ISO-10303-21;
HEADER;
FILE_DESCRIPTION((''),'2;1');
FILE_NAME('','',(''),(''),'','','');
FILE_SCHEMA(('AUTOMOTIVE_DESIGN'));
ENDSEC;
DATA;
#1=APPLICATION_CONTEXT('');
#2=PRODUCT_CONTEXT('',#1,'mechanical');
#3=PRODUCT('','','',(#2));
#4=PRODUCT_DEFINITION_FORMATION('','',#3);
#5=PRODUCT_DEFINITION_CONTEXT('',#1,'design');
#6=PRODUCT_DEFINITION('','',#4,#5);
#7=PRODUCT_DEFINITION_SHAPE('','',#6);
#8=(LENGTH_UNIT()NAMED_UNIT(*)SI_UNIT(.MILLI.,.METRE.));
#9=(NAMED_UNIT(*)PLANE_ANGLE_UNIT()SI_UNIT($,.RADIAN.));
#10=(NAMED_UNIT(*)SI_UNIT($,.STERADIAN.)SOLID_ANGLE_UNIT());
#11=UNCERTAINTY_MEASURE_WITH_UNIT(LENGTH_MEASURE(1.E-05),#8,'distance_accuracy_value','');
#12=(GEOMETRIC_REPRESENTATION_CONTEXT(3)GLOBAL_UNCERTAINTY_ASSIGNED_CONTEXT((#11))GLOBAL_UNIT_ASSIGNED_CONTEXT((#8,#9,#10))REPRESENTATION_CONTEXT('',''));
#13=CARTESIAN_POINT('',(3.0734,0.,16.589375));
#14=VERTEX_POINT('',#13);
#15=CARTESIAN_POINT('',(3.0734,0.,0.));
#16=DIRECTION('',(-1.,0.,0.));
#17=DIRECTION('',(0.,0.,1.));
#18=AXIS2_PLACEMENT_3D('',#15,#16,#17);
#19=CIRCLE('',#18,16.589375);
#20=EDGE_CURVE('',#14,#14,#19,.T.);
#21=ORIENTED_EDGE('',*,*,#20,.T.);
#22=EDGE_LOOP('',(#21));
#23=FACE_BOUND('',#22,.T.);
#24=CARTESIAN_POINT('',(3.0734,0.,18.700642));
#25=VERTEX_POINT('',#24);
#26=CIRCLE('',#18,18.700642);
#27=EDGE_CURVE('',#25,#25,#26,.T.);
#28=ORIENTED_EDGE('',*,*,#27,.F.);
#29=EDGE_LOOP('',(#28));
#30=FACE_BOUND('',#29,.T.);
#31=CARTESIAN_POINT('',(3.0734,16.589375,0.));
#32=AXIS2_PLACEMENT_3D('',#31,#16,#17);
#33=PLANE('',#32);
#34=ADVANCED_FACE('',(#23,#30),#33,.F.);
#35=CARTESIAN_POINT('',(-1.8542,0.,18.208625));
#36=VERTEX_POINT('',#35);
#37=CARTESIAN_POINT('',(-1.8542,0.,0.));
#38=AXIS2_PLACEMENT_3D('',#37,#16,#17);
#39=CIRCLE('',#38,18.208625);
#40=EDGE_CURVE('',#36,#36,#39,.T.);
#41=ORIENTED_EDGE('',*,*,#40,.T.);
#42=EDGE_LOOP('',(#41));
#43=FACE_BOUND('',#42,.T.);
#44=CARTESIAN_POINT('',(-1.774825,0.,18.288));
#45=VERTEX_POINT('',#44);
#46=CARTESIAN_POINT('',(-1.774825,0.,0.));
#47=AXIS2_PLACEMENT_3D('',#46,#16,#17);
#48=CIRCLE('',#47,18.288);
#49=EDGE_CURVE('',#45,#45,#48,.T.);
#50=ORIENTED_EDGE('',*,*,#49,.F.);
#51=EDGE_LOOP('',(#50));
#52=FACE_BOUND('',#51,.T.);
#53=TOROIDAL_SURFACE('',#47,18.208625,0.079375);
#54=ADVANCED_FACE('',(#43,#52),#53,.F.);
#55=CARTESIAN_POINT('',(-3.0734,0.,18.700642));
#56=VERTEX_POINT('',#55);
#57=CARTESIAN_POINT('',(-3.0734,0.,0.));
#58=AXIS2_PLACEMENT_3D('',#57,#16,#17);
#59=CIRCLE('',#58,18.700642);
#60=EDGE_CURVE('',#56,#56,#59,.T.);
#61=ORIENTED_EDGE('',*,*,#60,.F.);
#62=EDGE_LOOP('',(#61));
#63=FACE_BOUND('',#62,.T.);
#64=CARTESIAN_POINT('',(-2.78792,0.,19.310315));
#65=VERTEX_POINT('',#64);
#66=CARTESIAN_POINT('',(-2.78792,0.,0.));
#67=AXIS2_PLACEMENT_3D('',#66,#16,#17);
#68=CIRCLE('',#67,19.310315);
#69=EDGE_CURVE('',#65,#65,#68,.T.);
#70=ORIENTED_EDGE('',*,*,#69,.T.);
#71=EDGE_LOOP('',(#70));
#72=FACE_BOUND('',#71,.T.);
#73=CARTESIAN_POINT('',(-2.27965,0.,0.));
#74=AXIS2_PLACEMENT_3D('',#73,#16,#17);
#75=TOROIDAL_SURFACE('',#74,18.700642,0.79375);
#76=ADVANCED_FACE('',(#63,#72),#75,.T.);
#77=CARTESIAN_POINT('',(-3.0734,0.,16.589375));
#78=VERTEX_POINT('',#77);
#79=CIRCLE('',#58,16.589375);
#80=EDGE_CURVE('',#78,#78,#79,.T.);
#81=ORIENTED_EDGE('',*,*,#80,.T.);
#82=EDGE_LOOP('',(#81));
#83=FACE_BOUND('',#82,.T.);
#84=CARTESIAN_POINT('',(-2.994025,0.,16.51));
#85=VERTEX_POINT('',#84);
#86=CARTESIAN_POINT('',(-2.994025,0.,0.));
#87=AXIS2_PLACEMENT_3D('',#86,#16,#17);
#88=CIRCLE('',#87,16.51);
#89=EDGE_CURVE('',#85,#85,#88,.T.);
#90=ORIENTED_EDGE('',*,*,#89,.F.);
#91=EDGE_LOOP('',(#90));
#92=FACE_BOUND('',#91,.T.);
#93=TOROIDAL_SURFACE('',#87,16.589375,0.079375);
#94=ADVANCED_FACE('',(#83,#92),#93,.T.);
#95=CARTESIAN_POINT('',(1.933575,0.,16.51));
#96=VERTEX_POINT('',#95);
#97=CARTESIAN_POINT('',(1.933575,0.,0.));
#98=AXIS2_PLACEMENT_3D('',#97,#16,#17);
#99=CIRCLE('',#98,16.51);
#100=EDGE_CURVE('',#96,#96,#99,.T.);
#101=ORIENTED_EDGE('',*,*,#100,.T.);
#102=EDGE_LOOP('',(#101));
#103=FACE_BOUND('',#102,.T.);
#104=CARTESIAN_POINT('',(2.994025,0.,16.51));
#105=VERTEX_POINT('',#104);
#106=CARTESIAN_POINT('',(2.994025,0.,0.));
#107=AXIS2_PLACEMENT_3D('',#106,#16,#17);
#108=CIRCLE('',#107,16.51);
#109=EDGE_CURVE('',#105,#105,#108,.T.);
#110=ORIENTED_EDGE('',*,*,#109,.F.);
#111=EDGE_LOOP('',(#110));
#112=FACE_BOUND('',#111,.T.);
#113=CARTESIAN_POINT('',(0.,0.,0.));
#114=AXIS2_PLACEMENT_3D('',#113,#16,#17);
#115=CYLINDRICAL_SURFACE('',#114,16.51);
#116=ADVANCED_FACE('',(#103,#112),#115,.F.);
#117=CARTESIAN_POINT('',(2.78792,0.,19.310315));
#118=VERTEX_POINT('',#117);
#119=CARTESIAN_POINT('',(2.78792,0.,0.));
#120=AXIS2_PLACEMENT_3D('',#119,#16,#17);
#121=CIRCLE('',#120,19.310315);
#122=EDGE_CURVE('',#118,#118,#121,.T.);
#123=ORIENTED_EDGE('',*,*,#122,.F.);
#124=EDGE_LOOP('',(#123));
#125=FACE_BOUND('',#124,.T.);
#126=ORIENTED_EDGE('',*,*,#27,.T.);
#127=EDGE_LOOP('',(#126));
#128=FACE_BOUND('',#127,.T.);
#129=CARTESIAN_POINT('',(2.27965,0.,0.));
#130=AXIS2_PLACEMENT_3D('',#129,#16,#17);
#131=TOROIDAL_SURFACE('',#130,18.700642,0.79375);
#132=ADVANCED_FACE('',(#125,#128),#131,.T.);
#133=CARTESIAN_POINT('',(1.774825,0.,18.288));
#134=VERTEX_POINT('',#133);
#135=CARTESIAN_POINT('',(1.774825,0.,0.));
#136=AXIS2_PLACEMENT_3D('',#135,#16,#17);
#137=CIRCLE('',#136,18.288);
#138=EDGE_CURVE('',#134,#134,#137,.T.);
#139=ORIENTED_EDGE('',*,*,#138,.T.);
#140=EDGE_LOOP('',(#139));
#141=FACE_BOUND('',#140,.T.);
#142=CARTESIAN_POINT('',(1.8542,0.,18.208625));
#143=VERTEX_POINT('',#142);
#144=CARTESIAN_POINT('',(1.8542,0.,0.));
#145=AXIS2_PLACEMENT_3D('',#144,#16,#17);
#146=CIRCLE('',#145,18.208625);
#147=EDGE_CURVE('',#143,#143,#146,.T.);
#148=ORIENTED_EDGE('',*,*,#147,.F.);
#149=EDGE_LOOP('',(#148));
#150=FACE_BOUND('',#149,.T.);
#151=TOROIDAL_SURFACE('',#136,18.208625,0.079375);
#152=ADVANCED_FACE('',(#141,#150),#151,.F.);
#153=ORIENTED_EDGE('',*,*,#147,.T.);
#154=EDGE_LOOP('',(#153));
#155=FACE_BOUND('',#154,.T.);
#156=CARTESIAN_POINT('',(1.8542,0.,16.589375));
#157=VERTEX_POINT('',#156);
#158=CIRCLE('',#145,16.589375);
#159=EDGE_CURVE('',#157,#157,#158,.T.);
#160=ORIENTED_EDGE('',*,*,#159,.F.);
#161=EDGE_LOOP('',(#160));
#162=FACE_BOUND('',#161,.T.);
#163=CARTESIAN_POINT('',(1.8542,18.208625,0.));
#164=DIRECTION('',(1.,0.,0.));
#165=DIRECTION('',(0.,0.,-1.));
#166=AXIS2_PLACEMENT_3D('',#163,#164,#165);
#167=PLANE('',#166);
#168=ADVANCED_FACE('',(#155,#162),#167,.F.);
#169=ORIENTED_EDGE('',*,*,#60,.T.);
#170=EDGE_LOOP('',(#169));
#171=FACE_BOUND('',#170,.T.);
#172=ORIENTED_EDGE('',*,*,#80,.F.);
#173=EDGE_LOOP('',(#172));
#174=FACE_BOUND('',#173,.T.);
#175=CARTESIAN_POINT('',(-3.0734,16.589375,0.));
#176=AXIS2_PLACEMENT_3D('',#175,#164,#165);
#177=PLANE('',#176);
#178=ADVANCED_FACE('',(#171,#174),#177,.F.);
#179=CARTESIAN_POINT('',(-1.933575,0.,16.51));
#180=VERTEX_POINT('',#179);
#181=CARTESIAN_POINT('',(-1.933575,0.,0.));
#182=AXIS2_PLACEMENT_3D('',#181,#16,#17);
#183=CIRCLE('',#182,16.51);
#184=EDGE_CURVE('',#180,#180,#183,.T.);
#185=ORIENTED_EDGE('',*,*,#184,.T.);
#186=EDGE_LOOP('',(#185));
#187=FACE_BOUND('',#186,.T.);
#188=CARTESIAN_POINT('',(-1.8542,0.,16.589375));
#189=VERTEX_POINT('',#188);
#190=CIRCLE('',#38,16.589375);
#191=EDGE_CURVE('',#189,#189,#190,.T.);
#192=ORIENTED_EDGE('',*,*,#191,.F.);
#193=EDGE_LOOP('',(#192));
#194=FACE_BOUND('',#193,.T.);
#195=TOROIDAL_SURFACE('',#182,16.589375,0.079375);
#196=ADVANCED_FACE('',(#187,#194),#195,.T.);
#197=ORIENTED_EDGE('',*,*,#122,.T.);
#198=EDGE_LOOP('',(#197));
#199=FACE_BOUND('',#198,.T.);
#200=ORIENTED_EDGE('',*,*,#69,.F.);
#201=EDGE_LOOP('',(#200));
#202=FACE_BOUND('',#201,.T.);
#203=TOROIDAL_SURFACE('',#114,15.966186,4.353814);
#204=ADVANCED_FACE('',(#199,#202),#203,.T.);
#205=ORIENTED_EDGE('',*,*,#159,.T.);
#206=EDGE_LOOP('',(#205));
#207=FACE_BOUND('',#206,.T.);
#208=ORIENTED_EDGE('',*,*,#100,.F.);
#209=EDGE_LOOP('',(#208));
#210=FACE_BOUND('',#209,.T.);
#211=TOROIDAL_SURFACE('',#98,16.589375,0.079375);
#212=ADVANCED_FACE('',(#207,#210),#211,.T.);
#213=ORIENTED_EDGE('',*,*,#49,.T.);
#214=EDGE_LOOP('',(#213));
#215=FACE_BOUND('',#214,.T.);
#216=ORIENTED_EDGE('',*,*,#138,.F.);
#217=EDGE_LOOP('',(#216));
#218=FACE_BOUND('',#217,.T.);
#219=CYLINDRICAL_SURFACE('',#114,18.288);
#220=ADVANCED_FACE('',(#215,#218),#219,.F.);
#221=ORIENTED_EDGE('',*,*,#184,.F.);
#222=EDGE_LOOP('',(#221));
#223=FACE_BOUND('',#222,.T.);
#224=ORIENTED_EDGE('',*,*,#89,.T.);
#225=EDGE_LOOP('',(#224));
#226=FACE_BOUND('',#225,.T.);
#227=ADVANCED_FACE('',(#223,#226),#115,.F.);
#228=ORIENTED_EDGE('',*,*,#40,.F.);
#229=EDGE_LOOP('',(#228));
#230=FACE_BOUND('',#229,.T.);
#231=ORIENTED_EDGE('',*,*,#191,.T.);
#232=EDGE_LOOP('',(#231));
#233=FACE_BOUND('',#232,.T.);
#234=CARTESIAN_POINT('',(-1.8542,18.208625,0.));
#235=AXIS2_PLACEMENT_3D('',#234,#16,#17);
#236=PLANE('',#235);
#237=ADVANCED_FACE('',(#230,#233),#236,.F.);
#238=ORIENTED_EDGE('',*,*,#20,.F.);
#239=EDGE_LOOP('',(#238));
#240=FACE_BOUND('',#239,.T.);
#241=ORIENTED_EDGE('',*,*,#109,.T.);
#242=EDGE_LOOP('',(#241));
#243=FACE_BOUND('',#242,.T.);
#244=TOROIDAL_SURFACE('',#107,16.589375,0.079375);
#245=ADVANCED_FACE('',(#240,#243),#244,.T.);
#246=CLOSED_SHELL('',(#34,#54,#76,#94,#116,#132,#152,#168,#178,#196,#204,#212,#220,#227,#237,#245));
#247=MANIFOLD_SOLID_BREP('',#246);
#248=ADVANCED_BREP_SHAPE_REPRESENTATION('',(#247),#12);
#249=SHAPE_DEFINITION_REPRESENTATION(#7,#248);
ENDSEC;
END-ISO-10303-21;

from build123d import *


with BuildPart() as part:
    # Sketch1 → Revolve1 (revolve)
    with BuildSketch(Plane.XY, mode=Mode.PRIVATE) as revolve1_sk:
        with BuildLine():
            Line((-1.774825, 18.288), (1.774825, 18.288))
            ThreePointArc((1.774825, 18.288), (1.830951601, 18.264751601), (1.8542, 18.208625))
            Line((1.8542, 18.208625), (1.8542, 16.589375))
            ThreePointArc((1.8542, 16.589375), (1.877448399, 16.533248399), (1.933575, 16.51))
            Line((1.933575, 16.51), (2.994025, 16.51))
            ThreePointArc((2.994025, 16.51), (3.050151601, 16.533248399), (3.0734, 16.589375))
            Line((3.0734, 16.589375), (3.0734, 18.700642356))
            ThreePointArc((3.0734, 18.700642356), (2.998495613, 19.037243079), (2.787919567, 19.310315309))
            ThreePointArc((2.787919567, 19.310315309), (0, 20.32), (-2.787919567, 19.310315309))
            ThreePointArc((-2.787919567, 19.310315309), (-2.998495613, 19.037243079), (-3.0734, 18.700642356))
            Line((-3.0734, 18.700642356), (-3.0734, 16.589375))
            ThreePointArc((-3.0734, 16.589375), (-3.050151601, 16.533248399), (-2.994025, 16.51))
            Line((-2.994025, 16.51), (-1.933575, 16.51))
            ThreePointArc((-1.933575, 16.51), (-1.877448399, 16.533248399), (-1.8542, 16.589375))
            Line((-1.8542, 16.589375), (-1.8542, 18.208625))
            ThreePointArc((-1.8542, 18.208625), (-1.830951601, 18.264751601), (-1.774825, 18.288))
        make_face()
    revolve(revolve1_sk.sketch.rotate(Axis((0, 0, 0), (1, 0, 0)), 90), axis=Axis((0, 0, 0), (1, 0, 0)))


solid = part.part
